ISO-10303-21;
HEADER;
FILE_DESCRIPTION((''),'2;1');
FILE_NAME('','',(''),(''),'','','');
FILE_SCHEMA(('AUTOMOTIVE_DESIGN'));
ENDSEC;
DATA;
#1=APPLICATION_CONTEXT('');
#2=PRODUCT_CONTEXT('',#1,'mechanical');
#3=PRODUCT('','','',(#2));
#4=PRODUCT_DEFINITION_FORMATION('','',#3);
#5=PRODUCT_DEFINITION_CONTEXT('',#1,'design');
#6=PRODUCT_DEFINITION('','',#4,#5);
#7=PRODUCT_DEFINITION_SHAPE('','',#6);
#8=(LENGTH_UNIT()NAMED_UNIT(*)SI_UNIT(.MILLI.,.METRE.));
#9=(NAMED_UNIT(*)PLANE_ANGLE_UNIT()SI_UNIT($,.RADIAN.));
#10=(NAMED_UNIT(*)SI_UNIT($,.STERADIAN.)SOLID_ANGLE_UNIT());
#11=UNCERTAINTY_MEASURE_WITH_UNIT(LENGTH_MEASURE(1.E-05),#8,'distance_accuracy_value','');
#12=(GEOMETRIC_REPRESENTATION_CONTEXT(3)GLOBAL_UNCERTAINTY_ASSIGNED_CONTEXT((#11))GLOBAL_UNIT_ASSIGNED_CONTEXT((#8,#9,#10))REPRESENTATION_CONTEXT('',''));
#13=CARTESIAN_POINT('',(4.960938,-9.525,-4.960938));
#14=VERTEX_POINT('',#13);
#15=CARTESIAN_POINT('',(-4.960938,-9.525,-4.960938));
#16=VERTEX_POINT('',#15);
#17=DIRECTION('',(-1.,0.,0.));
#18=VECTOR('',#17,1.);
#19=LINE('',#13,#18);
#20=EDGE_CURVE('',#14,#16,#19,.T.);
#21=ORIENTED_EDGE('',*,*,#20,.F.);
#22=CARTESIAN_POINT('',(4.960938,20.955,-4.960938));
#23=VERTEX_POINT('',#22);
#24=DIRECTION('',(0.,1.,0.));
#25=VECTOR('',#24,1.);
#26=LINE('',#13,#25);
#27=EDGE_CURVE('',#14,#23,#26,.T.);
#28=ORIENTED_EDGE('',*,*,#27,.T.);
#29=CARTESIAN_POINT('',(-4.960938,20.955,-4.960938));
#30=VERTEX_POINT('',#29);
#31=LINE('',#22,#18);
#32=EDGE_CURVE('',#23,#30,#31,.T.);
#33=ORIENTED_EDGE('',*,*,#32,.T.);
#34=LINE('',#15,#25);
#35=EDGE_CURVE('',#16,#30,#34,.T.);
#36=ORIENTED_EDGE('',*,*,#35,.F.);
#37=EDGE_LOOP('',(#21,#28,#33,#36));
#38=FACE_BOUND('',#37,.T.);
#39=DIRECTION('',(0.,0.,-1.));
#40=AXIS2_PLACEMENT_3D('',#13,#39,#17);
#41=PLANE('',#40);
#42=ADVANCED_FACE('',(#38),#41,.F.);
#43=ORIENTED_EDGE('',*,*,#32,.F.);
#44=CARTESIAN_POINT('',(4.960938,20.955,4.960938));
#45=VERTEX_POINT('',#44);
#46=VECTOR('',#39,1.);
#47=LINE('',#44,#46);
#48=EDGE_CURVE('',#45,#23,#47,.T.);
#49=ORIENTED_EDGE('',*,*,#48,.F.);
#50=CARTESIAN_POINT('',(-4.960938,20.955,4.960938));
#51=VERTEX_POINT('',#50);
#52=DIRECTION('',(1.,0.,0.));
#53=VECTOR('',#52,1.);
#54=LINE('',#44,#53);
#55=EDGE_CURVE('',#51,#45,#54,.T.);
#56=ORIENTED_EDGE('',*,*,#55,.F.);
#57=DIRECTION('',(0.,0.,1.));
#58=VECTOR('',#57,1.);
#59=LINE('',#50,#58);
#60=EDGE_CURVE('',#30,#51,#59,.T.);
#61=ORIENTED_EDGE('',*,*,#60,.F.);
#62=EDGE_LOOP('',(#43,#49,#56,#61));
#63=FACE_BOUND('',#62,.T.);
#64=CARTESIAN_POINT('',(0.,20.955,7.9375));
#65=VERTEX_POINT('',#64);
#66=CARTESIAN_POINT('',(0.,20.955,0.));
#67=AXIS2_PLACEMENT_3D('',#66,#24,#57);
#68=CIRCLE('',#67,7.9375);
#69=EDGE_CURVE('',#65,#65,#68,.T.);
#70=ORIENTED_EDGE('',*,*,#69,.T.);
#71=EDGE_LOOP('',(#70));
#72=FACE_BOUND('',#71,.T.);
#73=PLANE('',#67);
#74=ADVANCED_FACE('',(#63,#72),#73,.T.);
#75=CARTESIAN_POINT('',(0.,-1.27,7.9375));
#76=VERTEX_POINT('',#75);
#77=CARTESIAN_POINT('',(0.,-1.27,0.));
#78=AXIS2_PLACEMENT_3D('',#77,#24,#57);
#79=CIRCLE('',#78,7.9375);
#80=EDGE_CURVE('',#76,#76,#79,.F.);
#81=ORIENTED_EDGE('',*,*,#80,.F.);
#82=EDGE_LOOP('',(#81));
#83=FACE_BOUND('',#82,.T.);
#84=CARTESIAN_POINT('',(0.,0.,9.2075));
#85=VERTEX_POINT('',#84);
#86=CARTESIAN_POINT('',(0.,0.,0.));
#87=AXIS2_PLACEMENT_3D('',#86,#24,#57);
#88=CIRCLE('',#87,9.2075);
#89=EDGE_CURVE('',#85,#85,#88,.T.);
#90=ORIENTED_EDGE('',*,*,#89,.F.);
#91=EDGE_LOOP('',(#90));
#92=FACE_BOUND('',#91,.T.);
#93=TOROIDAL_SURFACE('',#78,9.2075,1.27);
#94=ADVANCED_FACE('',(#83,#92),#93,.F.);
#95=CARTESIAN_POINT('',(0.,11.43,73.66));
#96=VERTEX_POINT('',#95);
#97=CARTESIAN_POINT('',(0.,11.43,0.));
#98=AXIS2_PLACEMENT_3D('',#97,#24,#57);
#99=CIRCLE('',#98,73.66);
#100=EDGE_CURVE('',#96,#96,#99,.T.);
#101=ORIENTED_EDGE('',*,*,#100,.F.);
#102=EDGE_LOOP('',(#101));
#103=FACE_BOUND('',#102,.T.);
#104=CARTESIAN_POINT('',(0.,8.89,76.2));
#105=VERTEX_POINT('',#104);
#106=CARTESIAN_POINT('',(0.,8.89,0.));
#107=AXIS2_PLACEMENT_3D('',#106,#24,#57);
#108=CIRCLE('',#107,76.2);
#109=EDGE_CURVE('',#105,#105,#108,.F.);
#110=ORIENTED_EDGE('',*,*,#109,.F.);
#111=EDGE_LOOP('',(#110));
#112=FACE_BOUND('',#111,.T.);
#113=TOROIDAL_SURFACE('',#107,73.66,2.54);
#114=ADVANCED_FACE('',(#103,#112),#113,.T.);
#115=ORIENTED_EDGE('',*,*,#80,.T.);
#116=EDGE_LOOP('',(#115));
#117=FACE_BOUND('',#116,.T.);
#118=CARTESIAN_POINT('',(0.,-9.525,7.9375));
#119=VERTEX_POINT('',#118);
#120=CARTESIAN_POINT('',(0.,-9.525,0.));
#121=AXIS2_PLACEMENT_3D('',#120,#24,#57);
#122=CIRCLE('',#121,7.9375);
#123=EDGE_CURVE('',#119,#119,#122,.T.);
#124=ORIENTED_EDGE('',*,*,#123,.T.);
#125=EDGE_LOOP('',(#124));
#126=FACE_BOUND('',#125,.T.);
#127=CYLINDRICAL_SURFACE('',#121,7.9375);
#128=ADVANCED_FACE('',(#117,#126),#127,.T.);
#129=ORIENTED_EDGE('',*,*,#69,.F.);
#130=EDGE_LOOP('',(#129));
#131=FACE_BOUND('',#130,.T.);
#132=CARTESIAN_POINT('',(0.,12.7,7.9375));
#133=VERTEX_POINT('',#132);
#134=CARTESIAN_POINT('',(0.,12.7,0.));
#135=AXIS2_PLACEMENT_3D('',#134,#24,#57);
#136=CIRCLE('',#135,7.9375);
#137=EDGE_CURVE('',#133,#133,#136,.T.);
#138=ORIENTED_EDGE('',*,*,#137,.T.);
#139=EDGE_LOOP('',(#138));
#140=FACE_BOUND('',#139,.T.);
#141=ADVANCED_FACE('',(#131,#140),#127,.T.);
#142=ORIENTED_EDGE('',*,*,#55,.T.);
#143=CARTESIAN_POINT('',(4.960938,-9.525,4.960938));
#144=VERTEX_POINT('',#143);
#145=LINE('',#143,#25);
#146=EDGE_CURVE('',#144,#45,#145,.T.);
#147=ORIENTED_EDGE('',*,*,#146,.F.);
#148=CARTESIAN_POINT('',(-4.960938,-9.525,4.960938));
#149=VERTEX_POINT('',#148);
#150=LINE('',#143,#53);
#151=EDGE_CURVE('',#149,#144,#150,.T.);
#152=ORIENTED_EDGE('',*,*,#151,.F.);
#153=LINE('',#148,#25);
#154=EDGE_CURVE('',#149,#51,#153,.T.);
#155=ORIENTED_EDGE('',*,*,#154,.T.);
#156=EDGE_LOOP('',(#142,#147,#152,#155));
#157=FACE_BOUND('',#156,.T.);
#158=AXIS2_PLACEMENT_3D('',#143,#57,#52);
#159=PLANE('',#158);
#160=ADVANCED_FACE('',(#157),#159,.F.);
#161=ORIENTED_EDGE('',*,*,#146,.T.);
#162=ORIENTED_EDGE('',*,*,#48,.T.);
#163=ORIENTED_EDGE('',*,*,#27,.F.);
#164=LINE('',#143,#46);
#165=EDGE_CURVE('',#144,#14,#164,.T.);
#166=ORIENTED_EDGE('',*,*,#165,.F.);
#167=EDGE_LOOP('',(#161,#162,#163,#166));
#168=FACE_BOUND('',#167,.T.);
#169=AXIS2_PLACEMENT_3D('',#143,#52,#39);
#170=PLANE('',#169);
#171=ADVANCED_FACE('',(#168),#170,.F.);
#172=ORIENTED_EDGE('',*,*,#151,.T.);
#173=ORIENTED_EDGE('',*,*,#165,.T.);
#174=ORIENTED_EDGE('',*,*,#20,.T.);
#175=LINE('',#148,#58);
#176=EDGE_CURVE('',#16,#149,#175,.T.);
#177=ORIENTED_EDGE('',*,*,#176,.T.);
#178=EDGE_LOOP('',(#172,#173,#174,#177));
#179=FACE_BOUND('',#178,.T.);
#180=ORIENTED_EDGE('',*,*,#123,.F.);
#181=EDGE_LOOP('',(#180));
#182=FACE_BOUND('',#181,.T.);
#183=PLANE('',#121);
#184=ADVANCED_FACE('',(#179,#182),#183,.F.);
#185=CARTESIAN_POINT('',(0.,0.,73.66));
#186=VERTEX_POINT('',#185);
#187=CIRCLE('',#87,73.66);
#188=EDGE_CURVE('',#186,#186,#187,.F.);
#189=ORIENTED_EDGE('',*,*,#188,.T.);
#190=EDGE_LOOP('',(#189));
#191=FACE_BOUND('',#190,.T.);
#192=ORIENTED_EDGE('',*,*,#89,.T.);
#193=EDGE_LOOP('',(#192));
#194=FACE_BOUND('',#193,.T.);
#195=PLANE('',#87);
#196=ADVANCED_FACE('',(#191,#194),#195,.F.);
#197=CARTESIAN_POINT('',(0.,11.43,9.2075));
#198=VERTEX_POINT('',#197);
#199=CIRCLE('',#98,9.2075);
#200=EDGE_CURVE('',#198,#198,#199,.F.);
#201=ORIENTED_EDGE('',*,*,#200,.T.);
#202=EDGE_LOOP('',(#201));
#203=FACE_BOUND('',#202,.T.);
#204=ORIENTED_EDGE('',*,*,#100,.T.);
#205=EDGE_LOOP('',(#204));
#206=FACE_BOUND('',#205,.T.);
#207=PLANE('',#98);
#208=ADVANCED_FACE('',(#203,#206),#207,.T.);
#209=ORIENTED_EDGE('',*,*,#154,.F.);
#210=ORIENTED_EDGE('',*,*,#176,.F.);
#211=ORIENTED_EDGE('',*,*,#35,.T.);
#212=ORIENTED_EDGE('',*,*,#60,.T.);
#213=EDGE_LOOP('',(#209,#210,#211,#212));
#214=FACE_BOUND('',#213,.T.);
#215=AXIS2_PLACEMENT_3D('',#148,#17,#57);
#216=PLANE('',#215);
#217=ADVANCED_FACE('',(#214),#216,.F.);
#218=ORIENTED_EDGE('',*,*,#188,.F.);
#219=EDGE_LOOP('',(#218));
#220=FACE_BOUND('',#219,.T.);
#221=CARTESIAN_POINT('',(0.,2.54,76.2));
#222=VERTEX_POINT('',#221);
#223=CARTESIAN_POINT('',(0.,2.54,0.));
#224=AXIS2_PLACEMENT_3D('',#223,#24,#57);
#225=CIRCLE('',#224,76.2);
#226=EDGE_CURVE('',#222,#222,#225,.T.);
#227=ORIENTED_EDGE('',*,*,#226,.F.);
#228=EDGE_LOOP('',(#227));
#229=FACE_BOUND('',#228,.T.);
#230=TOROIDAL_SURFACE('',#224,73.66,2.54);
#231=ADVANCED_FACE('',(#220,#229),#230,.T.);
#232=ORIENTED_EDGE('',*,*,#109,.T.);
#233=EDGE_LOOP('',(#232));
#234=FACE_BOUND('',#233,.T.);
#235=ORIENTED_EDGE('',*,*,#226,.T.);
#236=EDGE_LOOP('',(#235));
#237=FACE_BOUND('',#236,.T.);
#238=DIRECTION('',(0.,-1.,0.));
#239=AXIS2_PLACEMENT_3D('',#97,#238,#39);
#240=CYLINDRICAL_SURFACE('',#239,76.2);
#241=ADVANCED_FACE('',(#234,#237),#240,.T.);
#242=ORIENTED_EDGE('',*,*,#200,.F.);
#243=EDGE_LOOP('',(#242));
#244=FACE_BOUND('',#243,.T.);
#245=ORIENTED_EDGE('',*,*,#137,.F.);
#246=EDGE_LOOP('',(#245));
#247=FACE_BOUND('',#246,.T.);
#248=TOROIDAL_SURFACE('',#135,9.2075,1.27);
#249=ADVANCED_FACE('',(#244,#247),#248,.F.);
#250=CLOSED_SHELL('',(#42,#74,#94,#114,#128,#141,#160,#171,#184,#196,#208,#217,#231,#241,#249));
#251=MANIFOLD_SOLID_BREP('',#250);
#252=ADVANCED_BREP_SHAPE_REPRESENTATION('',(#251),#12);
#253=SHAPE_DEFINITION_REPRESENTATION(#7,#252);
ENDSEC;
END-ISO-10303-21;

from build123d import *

# Parameters (mm, degrees)
SKETCH1_R                = 76.2
BOSS_EXTRUDE1_DEPTH      = 11.43
FILLET1_R                = 2.54
BOSS_EXTRUDE2_DEPTH      = 9.525
BOSS_EXTRUDE2_DEPTH_BACK = 20.955
SKETCH3_R                = 7.9375
FILLET2_R                = 1.27
CUT_EXTRUDE1_DEPTH       = 110.78156512
CUT_EXTRUDE1_DEPTH_BACK  = 110.78156512
SKETCH2_W                = 9.921875
SKETCH2_H                = 9.921875


with BuildPart() as part:
    # Sketch1 → Boss-Extrude1 (new body)
    with BuildSketch(Plane(origin=(0, 0, 0), x_dir=(1, 0, 0), z_dir=(0, 1, 0))):
        with Locations(Location((0, 0, 0), (0, 0, 270))):
            Circle(SKETCH1_R)
    extrude(amount=BOSS_EXTRUDE1_DEPTH)

    # Fillet1
    fillet1_edges = [part.edges().sort_by_distance(p)[0] for p in [
        (0, 0, -76.2),
        (0, 11.43, -76.2),
    ]]
    fillet(fillet1_edges, radius=FILLET1_R)

    # Sketch3 → Boss-Extrude2 (add, two sides: drawn at the far end of the back side and taken through both)
    with BuildSketch(Plane(origin=(0, 11.43, 0), x_dir=(1, 0, 0), z_dir=(0, 1, 0)).offset(-BOSS_EXTRUDE2_DEPTH_BACK)):
        with Locations(Location((0, 0, 0), (0, 0, 270))):
            Circle(SKETCH3_R)
    extrude(amount=BOSS_EXTRUDE2_DEPTH + BOSS_EXTRUDE2_DEPTH_BACK)

    # Fillet2
    fillet2_edges = [part.edges().sort_by_distance(p)[0] for p in [
        (0, 11.43, -7.9375),
        (0, 0, -7.9375),
    ]]
    fillet(fillet2_edges, radius=FILLET2_R)

    # Sketch2 → Cut-Extrude1 (cut, two sides: drawn at the far end of the back side and taken through both)
    with BuildSketch(Plane(origin=(0, 11.43, 0), x_dir=(1, 0, 0), z_dir=(0, 1, 0)).offset(-CUT_EXTRUDE1_DEPTH_BACK)):
        Rectangle(SKETCH2_W, SKETCH2_H)
    extrude(amount=CUT_EXTRUDE1_DEPTH + CUT_EXTRUDE1_DEPTH_BACK, mode=Mode.SUBTRACT)


solid = part.part
